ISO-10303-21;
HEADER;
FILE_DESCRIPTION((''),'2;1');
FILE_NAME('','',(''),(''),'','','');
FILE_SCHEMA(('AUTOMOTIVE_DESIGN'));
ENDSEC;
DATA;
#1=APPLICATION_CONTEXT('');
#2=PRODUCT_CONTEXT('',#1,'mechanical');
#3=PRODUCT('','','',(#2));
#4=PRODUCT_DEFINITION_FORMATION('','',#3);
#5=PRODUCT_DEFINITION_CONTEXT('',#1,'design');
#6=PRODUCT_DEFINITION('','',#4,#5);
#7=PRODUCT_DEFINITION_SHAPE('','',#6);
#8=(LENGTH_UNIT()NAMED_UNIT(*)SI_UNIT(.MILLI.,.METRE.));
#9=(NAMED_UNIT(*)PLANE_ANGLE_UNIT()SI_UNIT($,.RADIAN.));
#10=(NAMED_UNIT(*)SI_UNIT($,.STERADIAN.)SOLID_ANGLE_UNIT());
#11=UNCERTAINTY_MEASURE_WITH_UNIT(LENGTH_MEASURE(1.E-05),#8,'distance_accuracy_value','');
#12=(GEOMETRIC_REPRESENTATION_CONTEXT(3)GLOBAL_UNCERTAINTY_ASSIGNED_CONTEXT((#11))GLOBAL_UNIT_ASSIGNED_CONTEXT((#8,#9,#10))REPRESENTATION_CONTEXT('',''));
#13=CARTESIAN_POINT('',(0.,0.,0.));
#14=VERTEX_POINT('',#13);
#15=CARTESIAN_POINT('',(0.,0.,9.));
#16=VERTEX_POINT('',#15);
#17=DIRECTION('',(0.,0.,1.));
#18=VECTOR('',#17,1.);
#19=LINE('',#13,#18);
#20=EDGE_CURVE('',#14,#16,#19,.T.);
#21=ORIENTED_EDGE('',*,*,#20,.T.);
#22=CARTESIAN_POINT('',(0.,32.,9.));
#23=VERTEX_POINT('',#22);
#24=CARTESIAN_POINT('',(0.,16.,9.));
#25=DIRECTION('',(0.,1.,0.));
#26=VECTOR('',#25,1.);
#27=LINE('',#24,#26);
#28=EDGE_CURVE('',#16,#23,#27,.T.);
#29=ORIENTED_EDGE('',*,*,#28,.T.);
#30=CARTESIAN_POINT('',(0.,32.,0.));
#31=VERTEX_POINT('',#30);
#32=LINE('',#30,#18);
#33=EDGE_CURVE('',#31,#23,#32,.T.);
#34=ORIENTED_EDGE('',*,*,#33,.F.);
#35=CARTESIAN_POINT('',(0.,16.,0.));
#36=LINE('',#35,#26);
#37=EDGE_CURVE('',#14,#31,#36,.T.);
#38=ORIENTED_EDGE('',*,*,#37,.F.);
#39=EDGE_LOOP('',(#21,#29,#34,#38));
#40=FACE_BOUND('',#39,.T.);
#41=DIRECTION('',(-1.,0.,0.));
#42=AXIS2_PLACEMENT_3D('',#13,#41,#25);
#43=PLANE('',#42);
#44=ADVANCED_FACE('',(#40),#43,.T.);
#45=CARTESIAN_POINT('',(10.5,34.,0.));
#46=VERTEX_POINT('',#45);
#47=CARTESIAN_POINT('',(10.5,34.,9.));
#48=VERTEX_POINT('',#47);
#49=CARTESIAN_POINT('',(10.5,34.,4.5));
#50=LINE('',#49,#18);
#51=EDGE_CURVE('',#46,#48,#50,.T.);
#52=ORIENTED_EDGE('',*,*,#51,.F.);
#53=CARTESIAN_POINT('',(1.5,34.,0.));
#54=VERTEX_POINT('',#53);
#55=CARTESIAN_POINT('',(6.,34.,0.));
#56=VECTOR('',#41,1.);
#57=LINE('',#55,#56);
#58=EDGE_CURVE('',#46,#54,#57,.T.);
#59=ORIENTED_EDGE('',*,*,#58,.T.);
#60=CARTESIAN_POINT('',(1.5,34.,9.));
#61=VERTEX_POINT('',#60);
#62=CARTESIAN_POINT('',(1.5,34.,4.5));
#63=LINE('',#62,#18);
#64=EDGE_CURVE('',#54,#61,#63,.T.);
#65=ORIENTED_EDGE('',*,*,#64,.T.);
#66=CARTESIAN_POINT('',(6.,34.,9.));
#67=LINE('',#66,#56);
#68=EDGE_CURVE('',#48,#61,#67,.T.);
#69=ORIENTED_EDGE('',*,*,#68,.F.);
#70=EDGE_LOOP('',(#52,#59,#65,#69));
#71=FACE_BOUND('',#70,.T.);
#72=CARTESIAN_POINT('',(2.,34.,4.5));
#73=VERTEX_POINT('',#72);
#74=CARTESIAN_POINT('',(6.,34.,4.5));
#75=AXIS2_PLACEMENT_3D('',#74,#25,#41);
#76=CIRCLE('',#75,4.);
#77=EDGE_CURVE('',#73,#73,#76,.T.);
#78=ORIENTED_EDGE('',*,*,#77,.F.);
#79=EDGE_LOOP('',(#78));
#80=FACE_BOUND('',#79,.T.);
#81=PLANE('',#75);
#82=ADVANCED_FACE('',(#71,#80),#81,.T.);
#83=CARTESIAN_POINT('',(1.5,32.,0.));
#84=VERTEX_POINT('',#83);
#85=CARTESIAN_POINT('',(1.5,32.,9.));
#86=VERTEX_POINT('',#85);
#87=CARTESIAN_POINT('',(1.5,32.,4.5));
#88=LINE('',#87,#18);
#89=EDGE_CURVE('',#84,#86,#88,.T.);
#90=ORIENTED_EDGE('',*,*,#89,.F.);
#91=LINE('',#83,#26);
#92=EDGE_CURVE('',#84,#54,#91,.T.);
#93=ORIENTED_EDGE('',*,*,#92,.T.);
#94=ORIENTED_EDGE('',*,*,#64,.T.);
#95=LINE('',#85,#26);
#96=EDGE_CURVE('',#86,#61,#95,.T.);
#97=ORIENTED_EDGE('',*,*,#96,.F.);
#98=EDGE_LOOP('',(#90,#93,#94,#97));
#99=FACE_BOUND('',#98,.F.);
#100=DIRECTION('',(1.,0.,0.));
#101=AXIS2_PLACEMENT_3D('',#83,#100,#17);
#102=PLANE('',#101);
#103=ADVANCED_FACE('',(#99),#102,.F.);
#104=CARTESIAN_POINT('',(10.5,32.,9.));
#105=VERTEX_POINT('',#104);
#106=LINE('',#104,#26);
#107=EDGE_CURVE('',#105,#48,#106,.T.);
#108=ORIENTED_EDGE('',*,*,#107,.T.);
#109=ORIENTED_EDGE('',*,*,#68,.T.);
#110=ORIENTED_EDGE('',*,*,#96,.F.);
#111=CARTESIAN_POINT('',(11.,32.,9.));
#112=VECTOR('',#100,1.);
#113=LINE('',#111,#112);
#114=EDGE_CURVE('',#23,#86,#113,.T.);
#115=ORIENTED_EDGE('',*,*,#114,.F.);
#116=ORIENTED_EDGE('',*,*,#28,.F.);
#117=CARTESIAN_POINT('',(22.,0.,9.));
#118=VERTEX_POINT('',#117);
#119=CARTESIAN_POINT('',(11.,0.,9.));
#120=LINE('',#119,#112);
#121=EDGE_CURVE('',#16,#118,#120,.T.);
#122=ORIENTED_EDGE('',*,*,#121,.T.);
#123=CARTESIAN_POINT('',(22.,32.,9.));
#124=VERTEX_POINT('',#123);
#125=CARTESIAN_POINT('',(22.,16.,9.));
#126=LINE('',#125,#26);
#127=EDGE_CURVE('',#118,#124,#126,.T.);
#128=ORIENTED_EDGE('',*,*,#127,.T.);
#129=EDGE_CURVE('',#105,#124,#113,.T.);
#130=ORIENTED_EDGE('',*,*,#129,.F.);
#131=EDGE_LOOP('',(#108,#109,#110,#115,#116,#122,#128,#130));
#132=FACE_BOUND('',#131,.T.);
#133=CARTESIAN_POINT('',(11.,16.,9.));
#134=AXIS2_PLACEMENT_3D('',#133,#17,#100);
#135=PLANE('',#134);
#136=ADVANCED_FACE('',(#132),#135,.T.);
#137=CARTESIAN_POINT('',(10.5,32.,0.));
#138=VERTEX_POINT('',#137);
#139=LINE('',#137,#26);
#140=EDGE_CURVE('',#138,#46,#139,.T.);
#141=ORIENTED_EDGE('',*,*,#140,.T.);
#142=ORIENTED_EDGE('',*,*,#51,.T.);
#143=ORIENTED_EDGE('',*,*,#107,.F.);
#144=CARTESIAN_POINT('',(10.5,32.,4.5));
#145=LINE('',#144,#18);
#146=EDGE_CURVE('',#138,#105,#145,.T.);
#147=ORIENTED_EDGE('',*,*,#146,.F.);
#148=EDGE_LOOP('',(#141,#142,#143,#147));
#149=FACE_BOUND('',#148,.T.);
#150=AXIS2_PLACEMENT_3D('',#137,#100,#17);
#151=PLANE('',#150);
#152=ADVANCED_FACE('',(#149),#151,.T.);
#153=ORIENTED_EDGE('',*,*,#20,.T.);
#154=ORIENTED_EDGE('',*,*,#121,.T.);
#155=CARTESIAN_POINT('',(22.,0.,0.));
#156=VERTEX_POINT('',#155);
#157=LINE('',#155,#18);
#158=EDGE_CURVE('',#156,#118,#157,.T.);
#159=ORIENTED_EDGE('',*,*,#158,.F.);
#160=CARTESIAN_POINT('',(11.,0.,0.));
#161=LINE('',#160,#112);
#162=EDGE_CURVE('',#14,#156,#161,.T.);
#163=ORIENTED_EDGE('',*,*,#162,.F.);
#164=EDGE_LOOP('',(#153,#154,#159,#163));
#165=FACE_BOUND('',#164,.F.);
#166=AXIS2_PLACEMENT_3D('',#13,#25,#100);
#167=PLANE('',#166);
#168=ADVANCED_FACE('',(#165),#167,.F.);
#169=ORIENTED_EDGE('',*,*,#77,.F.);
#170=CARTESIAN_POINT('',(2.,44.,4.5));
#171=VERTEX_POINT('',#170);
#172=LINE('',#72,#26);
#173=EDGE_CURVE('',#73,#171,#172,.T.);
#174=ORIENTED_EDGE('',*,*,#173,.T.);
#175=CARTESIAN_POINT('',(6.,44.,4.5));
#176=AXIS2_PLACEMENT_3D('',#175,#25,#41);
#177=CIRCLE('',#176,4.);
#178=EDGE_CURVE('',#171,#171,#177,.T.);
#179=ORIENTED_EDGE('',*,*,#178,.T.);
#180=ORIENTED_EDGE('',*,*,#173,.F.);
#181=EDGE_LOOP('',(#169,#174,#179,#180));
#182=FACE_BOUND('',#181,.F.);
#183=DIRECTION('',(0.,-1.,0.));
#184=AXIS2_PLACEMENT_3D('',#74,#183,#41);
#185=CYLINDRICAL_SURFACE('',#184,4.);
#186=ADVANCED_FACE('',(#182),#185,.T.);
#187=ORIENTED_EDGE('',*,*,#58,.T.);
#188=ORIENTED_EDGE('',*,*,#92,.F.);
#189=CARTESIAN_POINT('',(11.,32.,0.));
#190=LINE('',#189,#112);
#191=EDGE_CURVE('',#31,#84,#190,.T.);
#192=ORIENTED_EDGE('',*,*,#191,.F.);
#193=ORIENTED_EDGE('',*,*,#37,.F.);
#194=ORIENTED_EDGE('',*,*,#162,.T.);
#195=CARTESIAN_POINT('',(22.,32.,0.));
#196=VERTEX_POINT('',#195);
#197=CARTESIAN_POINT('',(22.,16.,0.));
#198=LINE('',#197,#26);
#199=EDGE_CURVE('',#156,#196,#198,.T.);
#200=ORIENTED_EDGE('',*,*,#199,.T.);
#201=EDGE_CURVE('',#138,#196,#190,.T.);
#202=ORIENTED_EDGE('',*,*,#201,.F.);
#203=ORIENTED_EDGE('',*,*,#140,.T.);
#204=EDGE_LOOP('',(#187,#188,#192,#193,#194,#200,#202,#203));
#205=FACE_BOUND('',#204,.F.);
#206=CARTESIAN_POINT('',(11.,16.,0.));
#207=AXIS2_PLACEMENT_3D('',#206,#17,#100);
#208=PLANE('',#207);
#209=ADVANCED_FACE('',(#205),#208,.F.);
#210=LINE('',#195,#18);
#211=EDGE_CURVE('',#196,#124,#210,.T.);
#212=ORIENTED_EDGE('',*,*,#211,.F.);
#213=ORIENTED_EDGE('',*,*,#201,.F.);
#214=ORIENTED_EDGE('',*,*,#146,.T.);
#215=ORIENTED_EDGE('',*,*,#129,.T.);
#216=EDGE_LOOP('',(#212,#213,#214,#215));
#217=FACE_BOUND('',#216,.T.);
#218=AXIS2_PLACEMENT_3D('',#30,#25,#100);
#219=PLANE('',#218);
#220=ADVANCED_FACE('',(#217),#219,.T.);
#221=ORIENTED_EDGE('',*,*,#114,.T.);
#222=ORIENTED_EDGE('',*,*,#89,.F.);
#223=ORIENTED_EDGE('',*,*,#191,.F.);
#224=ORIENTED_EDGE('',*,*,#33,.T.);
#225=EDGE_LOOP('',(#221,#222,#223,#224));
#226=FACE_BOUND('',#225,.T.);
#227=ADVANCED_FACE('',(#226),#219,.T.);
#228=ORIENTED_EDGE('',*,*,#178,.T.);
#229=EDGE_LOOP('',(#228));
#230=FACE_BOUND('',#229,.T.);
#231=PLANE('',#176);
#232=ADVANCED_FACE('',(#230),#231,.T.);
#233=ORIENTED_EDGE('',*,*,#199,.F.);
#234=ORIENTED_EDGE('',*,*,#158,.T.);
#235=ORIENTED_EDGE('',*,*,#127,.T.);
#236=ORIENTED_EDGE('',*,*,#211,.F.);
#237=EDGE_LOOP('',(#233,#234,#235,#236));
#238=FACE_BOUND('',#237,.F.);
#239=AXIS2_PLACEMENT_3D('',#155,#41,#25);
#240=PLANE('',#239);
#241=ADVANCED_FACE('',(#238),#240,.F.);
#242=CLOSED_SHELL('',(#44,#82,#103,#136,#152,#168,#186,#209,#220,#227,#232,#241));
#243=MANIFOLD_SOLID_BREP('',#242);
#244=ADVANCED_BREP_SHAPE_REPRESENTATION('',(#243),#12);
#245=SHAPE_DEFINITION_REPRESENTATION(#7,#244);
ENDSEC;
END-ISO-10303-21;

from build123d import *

# Parameters (mm, degrees)
F0_W     = 22
F0_H     = 32
F1_DEPTH = 9
F2_W     = 9
F2_H     = 9
F3_DEPTH = 2
F4_R     = 4
F5_DEPTH = 10


with BuildPart() as f1:
    # F0 (on Top) → F1 (new body)
    with BuildSketch(Plane.XY):
        with Locations((11, 16)):
            Rectangle(F0_W, F0_H)
    extrude(amount=F1_DEPTH)

    # F2 (on face) → F3 (join)
    with BuildSketch(Plane(origin=(0, 32, 0), x_dir=(-1, 0, 0), z_dir=(0, 1, 0))):
        with Locations((-6, 4.5)):
            Rectangle(F2_W, F2_H)
    extrude(amount=F3_DEPTH)

    # F4 (on face) → F5 (join)
    with BuildSketch(Plane(origin=(0, 34, 0), x_dir=(-1, 0, 0), z_dir=(0, 1, 0))):
        with Locations((-6, 4.5)):
            Circle(F4_R)
    extrude(amount=F5_DEPTH)


solid = f1.part
